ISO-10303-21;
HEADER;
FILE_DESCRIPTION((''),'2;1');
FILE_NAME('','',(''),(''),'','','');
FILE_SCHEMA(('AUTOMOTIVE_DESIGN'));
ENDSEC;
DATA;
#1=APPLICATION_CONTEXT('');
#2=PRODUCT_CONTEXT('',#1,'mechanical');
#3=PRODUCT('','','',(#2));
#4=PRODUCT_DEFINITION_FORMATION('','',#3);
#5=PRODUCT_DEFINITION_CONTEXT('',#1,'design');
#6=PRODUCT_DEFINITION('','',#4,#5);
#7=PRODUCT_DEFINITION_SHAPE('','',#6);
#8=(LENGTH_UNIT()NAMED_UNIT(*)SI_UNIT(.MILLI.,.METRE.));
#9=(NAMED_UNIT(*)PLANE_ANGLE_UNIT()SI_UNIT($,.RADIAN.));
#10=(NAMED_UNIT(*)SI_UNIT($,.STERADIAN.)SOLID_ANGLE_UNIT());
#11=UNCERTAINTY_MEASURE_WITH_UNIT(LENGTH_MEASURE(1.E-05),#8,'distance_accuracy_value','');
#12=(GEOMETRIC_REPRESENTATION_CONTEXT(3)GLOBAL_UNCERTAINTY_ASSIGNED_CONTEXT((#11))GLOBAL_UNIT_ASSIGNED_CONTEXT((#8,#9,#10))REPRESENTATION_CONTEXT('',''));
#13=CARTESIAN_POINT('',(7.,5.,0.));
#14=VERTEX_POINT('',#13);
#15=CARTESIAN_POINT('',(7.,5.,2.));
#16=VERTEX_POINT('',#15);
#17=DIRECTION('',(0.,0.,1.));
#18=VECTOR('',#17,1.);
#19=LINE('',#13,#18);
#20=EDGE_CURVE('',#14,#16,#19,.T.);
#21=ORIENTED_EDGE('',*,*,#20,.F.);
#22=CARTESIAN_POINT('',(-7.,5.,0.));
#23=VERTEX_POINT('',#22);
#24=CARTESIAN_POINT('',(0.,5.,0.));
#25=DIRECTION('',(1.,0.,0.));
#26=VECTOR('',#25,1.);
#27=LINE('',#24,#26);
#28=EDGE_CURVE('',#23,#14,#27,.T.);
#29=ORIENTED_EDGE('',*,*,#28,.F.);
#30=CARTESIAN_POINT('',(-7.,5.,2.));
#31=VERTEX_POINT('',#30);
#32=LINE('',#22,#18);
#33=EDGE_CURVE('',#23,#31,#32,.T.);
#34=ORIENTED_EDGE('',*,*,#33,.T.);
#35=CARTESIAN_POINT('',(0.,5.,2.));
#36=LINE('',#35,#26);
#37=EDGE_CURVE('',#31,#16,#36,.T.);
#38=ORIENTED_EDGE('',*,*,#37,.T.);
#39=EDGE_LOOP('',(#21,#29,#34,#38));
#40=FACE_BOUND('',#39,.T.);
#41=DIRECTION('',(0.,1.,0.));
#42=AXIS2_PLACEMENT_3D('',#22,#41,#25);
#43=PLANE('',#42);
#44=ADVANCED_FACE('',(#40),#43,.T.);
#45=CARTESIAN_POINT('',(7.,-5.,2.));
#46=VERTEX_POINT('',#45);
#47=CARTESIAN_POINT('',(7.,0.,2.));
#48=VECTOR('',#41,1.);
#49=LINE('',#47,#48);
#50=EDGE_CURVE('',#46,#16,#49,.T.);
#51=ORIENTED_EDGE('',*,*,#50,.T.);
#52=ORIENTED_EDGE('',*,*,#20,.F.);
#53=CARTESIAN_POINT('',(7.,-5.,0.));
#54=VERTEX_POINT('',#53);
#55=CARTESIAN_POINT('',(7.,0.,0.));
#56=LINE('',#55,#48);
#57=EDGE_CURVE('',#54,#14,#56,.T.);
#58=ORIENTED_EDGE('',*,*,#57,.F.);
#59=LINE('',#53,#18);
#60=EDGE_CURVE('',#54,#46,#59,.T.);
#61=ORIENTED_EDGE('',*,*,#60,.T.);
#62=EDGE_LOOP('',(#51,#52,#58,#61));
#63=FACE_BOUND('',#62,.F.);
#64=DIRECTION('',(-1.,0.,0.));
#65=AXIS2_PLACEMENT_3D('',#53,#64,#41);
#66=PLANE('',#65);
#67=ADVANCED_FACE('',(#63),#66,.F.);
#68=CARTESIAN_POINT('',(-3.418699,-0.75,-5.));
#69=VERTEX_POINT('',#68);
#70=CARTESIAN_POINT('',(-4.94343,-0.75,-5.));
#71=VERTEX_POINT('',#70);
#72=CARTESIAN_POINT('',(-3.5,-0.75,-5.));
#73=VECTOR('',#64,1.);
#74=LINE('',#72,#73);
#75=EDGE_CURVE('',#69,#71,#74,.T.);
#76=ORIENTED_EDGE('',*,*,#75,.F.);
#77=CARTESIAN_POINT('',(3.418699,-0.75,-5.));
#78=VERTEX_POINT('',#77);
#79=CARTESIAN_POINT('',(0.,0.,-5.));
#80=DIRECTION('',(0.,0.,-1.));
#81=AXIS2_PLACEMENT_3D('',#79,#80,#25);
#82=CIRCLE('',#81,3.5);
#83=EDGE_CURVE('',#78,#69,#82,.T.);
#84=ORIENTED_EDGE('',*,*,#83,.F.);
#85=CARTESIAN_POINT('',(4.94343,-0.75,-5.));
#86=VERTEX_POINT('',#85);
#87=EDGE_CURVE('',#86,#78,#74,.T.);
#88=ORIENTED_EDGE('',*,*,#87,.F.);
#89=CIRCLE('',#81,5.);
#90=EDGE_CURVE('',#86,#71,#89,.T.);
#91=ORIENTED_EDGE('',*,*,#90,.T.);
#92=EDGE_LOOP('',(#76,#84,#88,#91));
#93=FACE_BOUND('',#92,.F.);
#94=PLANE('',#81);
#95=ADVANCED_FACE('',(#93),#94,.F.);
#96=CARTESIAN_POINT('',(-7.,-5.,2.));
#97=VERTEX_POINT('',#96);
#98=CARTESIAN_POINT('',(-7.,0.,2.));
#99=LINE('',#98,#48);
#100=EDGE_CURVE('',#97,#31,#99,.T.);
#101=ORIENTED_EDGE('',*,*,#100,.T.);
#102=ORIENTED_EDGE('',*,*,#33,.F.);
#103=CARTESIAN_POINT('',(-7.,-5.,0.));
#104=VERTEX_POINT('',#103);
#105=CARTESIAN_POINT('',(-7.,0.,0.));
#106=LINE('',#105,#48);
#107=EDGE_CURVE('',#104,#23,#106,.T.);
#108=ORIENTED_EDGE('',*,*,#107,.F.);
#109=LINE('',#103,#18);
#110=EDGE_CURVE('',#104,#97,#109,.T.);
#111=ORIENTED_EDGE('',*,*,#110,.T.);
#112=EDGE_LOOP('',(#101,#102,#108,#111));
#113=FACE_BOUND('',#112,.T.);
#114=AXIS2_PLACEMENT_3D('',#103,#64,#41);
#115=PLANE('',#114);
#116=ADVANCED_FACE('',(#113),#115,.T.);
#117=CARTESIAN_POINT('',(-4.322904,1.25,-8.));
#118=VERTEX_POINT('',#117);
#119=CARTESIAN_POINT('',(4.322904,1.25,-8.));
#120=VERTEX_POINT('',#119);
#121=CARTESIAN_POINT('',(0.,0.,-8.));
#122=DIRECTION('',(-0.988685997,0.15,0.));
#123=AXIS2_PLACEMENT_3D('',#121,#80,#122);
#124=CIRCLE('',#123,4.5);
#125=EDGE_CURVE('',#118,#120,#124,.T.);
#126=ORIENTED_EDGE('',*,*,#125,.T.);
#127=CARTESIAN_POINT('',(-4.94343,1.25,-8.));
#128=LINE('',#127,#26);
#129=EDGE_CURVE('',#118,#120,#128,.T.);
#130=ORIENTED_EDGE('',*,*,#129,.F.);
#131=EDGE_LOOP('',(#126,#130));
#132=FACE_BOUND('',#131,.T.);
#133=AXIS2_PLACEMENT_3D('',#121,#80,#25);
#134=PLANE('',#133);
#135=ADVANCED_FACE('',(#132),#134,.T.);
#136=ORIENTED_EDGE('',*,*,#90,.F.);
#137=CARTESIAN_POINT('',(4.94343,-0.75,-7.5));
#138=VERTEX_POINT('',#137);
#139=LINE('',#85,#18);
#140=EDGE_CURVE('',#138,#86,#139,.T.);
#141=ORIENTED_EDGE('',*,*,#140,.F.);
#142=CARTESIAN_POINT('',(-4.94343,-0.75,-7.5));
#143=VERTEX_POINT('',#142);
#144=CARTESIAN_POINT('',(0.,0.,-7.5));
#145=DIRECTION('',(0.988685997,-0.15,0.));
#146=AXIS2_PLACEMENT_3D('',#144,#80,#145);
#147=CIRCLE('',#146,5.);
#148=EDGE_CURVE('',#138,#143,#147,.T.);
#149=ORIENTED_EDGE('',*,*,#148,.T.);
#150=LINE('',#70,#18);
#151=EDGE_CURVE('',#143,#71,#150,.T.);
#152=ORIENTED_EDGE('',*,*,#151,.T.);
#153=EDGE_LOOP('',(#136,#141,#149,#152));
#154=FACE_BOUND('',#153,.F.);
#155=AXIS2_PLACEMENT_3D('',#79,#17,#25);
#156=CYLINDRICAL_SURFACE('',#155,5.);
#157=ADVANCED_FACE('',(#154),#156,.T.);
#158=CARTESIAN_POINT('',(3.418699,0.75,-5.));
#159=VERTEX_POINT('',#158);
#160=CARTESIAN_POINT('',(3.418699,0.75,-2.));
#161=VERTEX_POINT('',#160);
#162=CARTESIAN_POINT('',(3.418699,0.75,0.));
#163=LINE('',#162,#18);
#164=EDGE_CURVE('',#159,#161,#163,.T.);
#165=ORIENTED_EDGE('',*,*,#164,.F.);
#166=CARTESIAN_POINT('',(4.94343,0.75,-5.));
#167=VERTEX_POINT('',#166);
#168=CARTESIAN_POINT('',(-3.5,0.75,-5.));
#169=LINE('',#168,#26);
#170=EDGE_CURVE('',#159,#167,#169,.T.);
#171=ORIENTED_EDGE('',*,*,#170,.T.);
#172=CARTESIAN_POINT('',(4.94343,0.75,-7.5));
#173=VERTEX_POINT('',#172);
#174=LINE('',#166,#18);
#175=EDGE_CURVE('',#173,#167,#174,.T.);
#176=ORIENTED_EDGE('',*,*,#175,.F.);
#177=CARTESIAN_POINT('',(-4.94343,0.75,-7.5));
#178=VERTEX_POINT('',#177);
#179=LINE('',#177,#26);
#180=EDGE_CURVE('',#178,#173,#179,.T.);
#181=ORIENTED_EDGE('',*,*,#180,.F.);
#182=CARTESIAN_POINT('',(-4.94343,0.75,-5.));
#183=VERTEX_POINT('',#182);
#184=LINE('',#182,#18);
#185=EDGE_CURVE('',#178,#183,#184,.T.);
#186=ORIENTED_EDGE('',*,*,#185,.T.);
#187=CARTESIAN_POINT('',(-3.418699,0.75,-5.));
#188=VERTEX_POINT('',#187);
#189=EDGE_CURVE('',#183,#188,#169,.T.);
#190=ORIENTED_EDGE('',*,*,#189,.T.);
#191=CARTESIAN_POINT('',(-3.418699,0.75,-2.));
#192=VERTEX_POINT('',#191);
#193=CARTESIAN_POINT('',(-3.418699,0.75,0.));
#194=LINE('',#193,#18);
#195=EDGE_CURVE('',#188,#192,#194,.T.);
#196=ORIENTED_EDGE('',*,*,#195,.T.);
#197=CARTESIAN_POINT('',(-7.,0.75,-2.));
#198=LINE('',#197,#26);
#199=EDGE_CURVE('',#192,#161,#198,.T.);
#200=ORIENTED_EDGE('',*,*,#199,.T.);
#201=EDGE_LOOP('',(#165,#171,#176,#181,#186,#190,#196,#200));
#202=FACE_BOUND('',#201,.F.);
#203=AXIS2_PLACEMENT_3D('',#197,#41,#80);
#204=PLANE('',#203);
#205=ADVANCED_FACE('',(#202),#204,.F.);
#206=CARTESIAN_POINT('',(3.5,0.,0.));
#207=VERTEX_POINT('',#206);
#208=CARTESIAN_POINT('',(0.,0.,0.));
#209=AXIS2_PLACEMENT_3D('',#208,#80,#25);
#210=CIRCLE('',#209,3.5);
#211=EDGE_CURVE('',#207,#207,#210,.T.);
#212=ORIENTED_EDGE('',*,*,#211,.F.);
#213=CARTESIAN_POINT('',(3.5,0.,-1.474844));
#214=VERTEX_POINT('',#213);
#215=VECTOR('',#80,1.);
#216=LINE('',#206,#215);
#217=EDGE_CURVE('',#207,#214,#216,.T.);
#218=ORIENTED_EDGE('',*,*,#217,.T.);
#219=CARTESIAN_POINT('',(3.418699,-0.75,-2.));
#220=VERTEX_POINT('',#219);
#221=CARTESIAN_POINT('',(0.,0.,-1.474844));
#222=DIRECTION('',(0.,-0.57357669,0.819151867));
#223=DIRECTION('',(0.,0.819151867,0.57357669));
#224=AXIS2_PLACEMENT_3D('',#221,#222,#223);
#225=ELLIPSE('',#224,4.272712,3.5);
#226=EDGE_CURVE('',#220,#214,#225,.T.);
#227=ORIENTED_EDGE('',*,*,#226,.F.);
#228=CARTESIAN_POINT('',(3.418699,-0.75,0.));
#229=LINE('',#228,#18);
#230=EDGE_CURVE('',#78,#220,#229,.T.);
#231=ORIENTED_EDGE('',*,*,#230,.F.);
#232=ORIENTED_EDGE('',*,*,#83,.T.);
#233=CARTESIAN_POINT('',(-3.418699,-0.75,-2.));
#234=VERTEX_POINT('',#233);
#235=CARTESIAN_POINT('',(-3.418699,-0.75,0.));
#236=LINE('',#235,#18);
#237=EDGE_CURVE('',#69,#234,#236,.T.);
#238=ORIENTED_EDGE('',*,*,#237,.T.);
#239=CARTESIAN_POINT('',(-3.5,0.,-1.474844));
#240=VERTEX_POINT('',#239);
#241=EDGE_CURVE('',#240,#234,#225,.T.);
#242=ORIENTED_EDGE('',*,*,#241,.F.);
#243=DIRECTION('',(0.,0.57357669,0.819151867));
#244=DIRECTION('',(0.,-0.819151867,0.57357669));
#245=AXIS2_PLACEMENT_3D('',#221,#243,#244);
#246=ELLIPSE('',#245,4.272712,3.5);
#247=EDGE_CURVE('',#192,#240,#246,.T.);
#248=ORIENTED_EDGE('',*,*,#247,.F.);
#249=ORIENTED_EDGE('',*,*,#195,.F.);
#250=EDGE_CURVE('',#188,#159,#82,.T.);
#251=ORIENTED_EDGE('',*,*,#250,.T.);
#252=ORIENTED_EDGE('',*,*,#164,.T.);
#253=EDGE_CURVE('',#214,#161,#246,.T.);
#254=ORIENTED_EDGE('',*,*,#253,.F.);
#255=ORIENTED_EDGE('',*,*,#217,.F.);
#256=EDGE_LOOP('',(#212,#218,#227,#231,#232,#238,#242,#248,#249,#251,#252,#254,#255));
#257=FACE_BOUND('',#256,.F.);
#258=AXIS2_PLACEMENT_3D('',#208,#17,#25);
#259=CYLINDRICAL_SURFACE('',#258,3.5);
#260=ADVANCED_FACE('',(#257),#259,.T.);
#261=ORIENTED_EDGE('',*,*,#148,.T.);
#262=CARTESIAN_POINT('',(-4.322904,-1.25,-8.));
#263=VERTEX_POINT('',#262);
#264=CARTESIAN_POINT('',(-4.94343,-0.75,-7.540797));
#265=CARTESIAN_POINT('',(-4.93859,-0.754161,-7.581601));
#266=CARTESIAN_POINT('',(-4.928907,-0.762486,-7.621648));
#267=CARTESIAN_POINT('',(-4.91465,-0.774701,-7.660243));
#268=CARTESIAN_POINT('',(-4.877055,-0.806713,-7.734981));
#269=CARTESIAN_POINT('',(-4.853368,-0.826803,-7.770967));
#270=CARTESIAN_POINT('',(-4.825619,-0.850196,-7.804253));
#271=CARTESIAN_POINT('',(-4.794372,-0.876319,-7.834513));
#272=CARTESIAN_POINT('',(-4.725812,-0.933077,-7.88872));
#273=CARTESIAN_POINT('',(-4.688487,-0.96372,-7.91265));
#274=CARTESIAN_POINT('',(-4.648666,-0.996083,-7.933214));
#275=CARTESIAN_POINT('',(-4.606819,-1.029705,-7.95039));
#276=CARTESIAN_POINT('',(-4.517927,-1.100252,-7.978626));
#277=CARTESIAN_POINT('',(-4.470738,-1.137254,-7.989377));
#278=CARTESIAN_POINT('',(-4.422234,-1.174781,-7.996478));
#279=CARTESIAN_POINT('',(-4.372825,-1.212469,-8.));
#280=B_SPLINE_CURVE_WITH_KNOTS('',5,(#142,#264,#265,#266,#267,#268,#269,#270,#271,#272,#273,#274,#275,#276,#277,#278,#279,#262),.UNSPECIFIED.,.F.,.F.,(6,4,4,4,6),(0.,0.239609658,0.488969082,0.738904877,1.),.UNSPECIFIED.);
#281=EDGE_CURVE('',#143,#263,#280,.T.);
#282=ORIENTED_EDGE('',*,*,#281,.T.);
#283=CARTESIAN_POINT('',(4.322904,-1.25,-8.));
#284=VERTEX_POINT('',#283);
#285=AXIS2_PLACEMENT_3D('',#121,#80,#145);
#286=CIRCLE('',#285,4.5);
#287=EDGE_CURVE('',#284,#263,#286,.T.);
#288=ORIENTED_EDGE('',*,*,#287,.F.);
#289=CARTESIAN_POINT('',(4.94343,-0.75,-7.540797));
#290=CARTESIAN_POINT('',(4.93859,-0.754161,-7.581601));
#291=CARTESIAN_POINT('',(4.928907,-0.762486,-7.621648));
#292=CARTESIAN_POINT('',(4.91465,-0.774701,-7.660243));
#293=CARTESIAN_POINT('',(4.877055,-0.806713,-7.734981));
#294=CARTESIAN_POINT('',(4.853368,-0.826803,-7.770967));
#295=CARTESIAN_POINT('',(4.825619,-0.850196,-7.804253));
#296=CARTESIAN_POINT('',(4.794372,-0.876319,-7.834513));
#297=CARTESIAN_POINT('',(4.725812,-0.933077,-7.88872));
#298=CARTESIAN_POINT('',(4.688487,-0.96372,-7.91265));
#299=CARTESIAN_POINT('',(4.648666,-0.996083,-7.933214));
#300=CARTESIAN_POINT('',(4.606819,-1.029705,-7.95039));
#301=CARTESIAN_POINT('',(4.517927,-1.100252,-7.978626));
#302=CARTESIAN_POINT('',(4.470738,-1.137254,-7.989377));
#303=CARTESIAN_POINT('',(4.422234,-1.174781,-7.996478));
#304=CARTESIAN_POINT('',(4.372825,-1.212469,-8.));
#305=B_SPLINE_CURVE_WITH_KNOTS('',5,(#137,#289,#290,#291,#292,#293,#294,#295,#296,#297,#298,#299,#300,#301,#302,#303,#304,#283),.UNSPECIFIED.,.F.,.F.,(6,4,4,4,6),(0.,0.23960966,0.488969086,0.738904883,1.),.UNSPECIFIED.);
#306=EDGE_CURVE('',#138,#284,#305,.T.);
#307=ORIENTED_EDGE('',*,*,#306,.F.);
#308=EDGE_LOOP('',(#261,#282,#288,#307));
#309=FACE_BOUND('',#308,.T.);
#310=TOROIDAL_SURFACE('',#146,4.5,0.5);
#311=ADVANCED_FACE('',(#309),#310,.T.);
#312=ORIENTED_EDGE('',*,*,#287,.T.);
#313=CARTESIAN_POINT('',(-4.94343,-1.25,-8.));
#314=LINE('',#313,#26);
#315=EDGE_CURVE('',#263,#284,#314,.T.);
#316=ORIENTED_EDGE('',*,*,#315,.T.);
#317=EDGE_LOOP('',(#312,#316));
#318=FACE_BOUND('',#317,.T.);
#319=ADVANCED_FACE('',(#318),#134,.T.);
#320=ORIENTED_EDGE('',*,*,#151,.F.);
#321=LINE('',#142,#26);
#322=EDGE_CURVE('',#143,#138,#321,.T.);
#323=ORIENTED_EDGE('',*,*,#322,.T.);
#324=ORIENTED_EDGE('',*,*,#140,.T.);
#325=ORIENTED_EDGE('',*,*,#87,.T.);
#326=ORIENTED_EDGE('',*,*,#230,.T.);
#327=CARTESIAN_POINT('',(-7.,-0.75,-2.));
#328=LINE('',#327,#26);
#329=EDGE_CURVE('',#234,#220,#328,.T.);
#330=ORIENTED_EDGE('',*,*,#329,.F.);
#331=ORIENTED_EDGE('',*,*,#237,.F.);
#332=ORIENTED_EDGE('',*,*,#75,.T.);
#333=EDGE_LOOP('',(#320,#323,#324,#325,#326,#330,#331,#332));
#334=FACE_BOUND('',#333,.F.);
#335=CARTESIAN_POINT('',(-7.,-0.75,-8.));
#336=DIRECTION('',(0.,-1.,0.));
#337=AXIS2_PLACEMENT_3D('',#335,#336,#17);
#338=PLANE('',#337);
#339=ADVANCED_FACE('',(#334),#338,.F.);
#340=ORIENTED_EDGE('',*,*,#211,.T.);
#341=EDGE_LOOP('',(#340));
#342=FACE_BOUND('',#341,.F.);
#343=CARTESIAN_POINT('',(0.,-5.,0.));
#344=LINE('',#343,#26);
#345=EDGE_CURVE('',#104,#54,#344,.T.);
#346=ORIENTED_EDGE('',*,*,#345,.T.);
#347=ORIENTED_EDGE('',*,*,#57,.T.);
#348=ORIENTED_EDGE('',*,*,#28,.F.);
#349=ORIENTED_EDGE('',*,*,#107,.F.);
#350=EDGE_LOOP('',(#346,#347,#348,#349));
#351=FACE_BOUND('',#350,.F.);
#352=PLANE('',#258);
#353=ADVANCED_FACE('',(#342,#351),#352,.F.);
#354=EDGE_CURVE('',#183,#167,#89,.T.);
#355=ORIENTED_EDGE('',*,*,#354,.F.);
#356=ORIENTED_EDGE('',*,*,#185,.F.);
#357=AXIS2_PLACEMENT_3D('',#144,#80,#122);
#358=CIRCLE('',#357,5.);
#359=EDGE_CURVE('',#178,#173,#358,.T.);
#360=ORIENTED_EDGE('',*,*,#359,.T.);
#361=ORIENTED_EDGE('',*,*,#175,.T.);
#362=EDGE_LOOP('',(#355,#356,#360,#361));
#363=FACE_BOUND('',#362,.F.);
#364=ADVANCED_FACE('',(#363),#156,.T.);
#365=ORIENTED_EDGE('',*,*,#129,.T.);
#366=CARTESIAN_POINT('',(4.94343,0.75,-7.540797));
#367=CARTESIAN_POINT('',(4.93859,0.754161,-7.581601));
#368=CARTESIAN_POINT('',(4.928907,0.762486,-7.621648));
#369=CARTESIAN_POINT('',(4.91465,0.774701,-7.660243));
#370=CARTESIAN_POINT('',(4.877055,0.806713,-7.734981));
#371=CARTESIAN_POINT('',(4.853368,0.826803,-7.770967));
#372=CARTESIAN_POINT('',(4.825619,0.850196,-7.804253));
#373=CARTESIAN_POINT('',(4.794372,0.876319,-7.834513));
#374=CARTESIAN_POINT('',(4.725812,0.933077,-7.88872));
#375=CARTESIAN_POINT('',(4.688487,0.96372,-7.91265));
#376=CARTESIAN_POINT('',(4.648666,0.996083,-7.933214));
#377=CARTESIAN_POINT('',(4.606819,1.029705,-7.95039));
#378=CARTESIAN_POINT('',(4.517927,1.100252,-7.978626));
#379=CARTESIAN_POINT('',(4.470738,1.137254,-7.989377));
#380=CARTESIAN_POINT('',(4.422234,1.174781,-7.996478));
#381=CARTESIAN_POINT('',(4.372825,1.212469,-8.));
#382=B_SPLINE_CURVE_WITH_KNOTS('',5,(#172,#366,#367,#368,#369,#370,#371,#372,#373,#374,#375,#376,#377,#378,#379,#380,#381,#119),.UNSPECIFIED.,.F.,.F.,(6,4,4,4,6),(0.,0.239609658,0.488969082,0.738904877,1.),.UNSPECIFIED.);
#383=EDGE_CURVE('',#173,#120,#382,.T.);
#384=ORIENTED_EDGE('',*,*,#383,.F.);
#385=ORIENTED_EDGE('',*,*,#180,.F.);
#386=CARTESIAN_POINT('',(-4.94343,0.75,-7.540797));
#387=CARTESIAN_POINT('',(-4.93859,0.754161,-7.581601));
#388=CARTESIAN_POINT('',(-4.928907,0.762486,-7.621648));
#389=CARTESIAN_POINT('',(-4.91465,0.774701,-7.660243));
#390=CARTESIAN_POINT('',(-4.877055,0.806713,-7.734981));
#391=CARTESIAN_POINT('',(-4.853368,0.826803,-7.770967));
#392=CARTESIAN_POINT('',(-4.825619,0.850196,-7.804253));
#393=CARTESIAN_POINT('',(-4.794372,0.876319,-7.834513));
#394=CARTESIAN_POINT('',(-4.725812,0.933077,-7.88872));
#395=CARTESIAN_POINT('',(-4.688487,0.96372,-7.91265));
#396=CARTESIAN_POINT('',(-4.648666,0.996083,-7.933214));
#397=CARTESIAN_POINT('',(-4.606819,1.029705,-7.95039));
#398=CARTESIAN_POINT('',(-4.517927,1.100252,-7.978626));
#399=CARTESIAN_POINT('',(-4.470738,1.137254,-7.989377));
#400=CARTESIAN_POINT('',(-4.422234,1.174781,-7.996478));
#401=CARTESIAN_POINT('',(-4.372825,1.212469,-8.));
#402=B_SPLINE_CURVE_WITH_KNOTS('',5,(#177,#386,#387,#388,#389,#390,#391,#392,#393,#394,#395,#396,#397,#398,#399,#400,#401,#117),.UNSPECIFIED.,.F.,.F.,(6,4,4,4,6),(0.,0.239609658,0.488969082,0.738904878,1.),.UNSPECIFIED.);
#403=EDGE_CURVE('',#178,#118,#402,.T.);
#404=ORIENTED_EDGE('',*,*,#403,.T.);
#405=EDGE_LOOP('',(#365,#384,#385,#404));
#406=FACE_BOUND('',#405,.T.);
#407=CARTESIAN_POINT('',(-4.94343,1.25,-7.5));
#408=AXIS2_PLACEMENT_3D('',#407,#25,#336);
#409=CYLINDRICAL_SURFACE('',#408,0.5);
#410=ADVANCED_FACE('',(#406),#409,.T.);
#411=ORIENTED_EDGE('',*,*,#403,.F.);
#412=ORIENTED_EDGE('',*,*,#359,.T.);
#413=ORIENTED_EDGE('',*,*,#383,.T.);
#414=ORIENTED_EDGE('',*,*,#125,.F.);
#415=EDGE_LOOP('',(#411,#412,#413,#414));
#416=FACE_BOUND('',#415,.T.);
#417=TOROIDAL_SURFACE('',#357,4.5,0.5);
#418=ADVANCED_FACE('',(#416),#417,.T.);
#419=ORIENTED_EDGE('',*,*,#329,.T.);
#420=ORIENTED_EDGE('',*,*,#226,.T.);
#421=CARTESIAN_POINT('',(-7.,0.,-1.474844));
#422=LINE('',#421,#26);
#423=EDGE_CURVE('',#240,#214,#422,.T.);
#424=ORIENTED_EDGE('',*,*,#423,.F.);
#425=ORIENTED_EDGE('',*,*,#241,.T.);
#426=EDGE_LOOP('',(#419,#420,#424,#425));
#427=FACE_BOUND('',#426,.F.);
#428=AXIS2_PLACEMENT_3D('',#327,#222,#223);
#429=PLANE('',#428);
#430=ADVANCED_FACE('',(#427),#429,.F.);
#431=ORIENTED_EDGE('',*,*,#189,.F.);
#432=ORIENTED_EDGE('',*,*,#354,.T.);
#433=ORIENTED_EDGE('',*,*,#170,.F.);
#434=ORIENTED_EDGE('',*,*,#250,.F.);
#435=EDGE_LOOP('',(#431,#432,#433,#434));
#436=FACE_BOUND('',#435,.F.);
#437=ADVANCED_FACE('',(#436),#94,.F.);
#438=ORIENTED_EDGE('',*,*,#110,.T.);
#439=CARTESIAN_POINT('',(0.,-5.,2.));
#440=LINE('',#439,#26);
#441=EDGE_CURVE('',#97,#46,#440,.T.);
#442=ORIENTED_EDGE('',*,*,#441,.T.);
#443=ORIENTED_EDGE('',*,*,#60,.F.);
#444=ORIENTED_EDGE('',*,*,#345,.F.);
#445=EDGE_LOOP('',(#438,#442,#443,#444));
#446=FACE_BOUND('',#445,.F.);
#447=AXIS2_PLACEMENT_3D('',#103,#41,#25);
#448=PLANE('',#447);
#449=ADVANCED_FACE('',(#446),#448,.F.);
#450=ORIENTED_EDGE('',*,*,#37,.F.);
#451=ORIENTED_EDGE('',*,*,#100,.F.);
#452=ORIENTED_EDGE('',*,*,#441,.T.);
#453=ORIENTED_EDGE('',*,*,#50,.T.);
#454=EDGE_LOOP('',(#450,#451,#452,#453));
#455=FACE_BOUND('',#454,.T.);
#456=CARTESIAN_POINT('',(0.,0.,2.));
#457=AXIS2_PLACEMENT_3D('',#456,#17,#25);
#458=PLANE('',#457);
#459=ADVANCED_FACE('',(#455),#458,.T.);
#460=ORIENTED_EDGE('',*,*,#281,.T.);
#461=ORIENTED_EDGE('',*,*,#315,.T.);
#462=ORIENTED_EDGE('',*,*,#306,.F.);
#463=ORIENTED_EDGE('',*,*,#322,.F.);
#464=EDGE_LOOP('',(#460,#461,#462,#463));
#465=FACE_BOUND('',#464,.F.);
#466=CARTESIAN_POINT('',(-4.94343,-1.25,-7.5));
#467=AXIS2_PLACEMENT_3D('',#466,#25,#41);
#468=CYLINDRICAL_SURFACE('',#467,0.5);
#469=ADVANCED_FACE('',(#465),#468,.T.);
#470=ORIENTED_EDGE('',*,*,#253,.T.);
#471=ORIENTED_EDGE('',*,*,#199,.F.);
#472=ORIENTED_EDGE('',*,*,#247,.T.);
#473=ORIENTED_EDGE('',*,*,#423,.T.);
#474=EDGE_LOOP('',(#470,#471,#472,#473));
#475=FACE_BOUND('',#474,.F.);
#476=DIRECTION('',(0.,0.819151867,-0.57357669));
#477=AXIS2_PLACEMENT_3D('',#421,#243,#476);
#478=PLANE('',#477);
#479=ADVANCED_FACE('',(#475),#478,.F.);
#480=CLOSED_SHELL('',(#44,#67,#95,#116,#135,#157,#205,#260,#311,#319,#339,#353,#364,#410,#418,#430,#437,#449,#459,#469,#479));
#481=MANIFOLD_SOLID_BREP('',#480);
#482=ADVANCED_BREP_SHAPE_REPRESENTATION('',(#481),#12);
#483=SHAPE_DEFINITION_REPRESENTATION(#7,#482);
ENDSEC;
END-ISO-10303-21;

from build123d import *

# Parameters (mm, degrees)
SKETCH087_W     = 14
SKETCH087_H     = 10
PAD045_DEPTH    = 2
SKETCH088_R     = 3.5
PAD046_DEPTH    = 5
SKETCH089_R     = 5
PAD047_DEPTH    = 3
POCKET037_DEPTH = 14
FILLET007_R     = 0.5


with BuildPart() as part:
    # Sketch087 → Pad045 (new body)
    with BuildSketch(Plane.XY):
        Rectangle(SKETCH087_W, SKETCH087_H)
    extrude(amount=PAD045_DEPTH)

    # Sketch088 (on Face5 of Pad045) → Pad046 (join)
    with BuildSketch(Plane(origin=(0, 0, 0), x_dir=(1, 0, 0), z_dir=(0, 0, -1))):
        Circle(SKETCH088_R)
    extrude(amount=PAD046_DEPTH)

    # Sketch089 (on Face8 of Pad046) → Pad047 (join)
    with BuildSketch(Plane(origin=(0, 0, -5), x_dir=(1, 0, 0), z_dir=(0, 0, -1))):
        Circle(SKETCH089_R)
    extrude(amount=PAD047_DEPTH)

    # Sketch090 (on Face1 of Pad047) → Pocket037 (cut)
    with BuildSketch(Plane(origin=(-7, 0, 0), x_dir=(0, -1, 0), z_dir=(-1, 0, 0))):
        Polygon((-0.75, -2), (-0.75, -8), (0.75, -8), (0.75, -2), (0, -1.474844), align=None)
    extrude(amount=-POCKET037_DEPTH, mode=Mode.SUBTRACT)

    # Fillet007
    fillet007_edges = [part.edges().sort_by_distance(p)[0] for p in [
        (0, -5, -8),
        (0, -0.75, -8),
        (0, 0.75, -8),
        (0, 5, -8),
    ]]
    fillet(fillet007_edges, radius=FILLET007_R)


solid = part.part
